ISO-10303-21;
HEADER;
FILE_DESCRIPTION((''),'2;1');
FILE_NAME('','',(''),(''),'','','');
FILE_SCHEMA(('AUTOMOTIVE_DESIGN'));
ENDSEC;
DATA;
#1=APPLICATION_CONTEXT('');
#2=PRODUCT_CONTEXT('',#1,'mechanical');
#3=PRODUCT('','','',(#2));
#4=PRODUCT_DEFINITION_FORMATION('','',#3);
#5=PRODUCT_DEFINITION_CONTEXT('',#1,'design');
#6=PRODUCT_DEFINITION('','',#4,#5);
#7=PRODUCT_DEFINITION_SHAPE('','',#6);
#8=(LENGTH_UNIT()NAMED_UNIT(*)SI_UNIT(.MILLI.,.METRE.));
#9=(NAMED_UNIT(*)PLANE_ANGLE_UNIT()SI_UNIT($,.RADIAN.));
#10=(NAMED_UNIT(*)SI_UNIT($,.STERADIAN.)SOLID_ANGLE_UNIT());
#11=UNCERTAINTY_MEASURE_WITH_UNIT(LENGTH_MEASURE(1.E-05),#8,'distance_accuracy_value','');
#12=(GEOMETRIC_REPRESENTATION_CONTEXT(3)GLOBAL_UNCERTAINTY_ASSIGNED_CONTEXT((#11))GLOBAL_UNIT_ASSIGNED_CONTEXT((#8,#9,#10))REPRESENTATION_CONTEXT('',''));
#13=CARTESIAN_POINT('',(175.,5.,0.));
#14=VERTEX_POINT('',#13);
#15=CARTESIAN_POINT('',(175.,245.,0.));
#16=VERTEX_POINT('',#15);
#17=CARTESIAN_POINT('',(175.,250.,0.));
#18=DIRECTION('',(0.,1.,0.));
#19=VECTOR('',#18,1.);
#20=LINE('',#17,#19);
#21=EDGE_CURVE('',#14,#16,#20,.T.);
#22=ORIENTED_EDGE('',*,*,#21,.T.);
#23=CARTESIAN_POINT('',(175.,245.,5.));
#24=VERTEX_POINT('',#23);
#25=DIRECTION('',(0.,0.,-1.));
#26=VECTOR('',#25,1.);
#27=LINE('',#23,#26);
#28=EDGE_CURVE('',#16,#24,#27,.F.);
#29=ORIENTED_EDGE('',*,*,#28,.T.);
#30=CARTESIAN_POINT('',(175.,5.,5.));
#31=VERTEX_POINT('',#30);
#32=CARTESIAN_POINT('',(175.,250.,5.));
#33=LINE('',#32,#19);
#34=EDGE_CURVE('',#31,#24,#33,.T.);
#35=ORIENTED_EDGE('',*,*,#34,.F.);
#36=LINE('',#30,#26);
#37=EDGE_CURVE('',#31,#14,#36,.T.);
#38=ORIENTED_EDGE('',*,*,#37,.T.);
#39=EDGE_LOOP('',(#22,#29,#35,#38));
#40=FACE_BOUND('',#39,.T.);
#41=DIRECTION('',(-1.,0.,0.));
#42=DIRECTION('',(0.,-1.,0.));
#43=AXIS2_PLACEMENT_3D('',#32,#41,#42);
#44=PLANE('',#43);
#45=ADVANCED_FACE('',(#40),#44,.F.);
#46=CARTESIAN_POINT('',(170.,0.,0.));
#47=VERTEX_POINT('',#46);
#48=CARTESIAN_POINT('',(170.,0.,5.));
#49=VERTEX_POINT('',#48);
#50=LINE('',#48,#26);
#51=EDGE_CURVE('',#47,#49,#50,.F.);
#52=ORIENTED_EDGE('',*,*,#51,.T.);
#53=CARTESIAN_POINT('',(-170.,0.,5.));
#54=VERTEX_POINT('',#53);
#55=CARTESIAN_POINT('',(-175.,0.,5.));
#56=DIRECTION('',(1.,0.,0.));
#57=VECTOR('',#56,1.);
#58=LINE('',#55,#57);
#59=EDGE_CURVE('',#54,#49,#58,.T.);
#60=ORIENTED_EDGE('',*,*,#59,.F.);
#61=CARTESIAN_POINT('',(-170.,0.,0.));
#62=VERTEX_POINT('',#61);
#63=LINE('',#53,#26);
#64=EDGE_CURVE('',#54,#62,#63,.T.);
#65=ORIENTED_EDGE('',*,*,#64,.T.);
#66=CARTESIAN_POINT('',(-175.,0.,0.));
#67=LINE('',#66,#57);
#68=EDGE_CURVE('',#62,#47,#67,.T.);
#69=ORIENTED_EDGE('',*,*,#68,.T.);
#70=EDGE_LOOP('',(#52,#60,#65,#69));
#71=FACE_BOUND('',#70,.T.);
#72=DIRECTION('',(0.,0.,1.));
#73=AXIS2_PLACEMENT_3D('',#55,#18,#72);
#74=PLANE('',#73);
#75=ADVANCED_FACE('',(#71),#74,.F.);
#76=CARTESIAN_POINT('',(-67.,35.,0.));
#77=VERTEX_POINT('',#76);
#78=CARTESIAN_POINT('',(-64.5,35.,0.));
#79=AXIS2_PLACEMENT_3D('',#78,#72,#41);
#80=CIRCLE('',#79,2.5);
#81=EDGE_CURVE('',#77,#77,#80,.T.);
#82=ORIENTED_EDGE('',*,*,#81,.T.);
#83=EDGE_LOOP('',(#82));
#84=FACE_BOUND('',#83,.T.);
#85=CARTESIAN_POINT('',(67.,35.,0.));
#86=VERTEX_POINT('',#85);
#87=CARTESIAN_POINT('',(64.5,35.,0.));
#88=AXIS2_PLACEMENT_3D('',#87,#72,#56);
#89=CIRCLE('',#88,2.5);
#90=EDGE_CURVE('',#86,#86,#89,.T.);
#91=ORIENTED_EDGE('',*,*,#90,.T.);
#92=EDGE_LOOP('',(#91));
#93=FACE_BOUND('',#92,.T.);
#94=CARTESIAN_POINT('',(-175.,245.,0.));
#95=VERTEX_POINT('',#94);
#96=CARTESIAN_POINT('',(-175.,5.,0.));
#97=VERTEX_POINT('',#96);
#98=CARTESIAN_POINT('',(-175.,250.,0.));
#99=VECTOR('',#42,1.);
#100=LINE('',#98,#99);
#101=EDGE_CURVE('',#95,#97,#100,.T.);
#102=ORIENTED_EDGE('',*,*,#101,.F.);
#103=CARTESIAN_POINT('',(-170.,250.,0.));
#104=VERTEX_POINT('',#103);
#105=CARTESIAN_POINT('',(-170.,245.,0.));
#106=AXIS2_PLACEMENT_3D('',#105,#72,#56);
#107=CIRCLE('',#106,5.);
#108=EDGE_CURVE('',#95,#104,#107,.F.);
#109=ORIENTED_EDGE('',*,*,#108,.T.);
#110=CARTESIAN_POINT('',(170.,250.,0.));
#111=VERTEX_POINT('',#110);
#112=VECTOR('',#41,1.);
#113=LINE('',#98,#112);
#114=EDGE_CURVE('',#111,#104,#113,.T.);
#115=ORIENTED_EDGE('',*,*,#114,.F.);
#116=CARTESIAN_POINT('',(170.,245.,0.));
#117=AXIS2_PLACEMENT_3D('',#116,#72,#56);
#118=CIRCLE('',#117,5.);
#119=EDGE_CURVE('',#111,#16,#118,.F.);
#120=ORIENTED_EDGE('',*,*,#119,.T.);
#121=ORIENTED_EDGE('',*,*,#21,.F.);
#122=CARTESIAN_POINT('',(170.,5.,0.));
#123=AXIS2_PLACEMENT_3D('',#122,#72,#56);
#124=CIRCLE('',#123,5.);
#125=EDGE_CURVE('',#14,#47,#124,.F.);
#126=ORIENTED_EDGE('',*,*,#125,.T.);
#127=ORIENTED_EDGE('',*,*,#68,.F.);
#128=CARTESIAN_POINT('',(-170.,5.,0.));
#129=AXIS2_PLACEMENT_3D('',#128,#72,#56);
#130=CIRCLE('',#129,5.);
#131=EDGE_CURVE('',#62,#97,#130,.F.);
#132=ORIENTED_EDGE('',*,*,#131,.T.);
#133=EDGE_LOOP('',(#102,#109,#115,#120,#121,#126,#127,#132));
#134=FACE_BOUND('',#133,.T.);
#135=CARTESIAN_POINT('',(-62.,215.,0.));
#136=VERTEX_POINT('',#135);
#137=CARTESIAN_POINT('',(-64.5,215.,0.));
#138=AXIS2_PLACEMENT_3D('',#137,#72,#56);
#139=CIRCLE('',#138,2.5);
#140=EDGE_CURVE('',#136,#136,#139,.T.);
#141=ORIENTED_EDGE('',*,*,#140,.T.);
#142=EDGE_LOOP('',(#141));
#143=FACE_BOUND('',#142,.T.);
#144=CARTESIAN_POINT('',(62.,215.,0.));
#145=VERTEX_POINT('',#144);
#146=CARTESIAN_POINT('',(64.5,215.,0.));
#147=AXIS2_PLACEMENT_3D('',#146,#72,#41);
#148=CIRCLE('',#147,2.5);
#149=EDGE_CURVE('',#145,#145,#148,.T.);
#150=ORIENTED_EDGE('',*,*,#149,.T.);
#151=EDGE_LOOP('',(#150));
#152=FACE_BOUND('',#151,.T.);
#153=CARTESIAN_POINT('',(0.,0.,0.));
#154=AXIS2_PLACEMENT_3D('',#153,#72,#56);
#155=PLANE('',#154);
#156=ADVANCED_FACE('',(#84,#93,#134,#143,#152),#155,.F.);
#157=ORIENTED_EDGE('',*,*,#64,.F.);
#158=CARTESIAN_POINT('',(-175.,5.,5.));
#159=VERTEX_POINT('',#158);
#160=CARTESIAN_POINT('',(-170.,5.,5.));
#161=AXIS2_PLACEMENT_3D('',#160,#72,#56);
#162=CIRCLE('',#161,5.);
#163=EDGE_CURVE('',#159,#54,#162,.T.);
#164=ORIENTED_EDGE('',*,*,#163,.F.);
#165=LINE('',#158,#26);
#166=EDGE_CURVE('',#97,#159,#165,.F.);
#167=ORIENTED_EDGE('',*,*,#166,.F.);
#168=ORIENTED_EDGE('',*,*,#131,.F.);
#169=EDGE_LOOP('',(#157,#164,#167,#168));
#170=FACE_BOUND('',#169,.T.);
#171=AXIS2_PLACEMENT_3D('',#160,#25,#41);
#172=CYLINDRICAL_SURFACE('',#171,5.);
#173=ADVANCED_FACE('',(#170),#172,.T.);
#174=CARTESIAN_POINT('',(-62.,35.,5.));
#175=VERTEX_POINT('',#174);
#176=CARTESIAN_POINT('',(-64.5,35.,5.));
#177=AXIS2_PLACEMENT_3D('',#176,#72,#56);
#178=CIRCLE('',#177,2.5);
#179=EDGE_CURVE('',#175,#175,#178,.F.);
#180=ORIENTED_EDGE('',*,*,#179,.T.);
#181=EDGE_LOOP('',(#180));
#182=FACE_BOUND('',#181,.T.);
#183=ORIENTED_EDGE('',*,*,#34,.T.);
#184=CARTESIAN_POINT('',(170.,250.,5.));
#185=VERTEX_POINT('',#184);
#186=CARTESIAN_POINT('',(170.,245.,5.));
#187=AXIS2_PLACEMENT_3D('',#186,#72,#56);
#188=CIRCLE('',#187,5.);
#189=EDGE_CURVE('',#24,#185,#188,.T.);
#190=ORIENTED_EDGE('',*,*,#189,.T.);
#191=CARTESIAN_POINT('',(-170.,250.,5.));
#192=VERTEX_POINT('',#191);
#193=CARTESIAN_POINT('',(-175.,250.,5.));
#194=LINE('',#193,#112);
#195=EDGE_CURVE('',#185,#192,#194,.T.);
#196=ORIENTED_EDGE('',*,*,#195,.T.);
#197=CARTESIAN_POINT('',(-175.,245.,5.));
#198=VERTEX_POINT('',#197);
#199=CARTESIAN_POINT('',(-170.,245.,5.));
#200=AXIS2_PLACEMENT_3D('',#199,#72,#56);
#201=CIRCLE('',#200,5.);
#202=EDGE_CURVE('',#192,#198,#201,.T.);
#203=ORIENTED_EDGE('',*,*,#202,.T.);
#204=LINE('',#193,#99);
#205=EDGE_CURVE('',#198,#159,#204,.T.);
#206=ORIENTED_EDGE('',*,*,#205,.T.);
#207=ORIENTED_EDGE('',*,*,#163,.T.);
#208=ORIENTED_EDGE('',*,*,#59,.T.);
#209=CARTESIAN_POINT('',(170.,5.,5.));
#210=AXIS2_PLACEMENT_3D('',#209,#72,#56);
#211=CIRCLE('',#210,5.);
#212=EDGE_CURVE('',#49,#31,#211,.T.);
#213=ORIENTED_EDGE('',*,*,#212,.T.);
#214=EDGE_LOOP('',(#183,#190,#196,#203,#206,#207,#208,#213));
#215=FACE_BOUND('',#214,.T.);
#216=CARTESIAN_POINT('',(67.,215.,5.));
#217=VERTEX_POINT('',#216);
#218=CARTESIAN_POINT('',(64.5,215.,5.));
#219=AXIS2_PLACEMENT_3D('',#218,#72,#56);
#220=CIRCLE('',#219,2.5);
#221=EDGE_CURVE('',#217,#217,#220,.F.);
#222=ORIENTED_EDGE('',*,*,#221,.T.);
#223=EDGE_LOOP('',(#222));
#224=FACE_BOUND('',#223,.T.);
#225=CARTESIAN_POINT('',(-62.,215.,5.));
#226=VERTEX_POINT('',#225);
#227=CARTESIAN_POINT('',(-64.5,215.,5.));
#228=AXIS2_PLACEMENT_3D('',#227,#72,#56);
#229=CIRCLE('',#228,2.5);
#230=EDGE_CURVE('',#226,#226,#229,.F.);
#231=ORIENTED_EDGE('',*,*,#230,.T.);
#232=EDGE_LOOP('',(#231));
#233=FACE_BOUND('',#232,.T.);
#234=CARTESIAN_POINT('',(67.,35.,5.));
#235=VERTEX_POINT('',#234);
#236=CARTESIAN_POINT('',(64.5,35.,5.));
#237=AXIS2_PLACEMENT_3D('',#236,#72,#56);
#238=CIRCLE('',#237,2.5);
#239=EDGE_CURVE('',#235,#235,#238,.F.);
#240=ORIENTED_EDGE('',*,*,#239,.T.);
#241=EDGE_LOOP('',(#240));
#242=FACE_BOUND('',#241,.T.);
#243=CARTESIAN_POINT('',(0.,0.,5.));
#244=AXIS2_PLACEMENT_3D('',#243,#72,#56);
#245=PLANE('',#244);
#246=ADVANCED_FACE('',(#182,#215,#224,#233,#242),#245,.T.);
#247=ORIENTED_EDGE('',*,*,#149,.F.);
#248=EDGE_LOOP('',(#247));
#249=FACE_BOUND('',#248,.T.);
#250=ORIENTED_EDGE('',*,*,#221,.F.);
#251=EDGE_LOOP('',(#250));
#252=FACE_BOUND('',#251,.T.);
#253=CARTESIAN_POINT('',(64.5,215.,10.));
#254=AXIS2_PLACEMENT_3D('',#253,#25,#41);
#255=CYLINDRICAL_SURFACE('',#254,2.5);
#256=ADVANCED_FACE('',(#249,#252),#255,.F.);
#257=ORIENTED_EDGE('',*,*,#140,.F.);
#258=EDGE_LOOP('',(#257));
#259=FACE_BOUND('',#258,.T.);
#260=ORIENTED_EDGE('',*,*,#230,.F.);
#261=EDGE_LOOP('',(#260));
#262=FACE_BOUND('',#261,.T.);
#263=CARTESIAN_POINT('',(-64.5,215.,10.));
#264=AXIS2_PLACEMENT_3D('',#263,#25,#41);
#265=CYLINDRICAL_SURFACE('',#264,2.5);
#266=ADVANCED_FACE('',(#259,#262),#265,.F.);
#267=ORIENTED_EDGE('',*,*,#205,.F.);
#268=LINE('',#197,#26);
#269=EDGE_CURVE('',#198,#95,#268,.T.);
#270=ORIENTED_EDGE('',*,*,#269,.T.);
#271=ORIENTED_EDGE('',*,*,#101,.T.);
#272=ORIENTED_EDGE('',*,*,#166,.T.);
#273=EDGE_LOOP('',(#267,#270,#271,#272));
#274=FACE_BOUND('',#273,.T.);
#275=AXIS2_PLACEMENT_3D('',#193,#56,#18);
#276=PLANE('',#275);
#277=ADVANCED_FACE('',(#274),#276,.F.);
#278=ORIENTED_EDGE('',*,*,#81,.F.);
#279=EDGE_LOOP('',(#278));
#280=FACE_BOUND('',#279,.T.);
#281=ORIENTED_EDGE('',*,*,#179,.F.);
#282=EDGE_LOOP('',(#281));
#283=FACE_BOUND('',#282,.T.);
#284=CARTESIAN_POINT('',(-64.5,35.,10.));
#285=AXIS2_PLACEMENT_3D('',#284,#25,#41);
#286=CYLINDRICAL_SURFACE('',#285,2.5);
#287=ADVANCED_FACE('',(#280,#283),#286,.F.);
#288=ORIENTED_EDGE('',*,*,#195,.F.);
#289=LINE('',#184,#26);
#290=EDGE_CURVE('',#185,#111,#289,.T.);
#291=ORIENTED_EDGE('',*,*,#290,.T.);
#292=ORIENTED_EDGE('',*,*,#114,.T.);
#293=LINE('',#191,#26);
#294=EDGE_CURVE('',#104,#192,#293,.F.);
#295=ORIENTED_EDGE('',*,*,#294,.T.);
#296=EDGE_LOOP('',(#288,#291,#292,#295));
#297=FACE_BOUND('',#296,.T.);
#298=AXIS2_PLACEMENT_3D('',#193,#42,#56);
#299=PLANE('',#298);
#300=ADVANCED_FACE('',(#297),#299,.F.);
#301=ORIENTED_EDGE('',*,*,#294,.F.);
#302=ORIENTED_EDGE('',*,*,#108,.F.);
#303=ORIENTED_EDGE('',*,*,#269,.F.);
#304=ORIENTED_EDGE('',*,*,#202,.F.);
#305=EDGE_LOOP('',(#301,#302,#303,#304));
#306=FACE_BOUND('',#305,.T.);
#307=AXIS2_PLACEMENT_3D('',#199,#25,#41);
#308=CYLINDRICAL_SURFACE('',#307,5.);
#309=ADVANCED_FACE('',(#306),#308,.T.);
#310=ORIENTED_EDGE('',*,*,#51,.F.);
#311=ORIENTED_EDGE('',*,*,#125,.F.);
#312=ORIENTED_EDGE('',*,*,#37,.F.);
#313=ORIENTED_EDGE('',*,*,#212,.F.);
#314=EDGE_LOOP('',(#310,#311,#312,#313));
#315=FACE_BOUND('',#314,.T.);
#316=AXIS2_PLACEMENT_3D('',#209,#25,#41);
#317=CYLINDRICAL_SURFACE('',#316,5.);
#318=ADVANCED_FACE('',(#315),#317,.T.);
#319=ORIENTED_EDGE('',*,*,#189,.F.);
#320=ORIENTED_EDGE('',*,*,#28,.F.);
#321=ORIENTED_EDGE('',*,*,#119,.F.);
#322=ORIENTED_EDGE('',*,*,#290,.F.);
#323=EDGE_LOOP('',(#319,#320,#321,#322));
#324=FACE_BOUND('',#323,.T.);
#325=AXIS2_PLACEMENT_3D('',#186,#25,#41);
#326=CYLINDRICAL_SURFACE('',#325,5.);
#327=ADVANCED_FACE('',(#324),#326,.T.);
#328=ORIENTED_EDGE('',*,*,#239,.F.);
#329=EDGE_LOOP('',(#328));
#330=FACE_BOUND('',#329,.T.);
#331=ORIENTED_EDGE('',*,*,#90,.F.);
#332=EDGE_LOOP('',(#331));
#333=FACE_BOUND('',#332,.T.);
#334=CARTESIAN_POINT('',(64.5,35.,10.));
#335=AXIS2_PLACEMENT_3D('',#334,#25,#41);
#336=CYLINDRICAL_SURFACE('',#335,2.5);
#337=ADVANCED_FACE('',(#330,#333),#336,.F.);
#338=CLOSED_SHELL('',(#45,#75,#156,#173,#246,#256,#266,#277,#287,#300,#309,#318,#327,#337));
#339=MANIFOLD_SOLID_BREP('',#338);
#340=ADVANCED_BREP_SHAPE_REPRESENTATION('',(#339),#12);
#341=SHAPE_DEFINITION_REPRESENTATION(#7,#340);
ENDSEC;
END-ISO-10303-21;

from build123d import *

# Parameters (mm, degrees)
ESQUISSE1_W             = 350
ESQUISSE1_H             = 250
BOSS_EXTRU_1_DEPTH      = 5
CONG_1_R                = 5
ESQUISSE2_R             = 2.5
ENL_V_MAT_EXTRU_1_DEPTH = 10


with BuildPart() as part:
    # Esquisse1 → Boss.-Extru.1 (new body)
    with BuildSketch(Plane.XY):
        with Locations((0, 125)):
            Rectangle(ESQUISSE1_W, ESQUISSE1_H)
    extrude(amount=BOSS_EXTRU_1_DEPTH)

    # Congé1
    cong_1_edges = [part.edges().sort_by_distance(p)[0] for p in [
        (-175, 250, 2.5),
        (175, 250, 2.5),
        (175, 0, 2.5),
        (-175, 0, 2.5),
    ]]
    fillet(cong_1_edges, radius=CONG_1_R)

    # Esquisse2 → Enlèv. mat.-Extru.1 (cut)
    with BuildSketch(Plane.XY):
        with Locations((64.5, 35)):
            Circle(ESQUISSE2_R)
        with Locations(Location((-64.5, 35, 0), (0, 0, 180))):
            Circle(ESQUISSE2_R)
        with Locations((-64.5, 215)):
            Circle(ESQUISSE2_R)
        with Locations(Location((64.5, 215, 0), (0, 0, 180))):
            Circle(ESQUISSE2_R)
    extrude(amount=ENL_V_MAT_EXTRU_1_DEPTH, mode=Mode.SUBTRACT)


solid = part.part
